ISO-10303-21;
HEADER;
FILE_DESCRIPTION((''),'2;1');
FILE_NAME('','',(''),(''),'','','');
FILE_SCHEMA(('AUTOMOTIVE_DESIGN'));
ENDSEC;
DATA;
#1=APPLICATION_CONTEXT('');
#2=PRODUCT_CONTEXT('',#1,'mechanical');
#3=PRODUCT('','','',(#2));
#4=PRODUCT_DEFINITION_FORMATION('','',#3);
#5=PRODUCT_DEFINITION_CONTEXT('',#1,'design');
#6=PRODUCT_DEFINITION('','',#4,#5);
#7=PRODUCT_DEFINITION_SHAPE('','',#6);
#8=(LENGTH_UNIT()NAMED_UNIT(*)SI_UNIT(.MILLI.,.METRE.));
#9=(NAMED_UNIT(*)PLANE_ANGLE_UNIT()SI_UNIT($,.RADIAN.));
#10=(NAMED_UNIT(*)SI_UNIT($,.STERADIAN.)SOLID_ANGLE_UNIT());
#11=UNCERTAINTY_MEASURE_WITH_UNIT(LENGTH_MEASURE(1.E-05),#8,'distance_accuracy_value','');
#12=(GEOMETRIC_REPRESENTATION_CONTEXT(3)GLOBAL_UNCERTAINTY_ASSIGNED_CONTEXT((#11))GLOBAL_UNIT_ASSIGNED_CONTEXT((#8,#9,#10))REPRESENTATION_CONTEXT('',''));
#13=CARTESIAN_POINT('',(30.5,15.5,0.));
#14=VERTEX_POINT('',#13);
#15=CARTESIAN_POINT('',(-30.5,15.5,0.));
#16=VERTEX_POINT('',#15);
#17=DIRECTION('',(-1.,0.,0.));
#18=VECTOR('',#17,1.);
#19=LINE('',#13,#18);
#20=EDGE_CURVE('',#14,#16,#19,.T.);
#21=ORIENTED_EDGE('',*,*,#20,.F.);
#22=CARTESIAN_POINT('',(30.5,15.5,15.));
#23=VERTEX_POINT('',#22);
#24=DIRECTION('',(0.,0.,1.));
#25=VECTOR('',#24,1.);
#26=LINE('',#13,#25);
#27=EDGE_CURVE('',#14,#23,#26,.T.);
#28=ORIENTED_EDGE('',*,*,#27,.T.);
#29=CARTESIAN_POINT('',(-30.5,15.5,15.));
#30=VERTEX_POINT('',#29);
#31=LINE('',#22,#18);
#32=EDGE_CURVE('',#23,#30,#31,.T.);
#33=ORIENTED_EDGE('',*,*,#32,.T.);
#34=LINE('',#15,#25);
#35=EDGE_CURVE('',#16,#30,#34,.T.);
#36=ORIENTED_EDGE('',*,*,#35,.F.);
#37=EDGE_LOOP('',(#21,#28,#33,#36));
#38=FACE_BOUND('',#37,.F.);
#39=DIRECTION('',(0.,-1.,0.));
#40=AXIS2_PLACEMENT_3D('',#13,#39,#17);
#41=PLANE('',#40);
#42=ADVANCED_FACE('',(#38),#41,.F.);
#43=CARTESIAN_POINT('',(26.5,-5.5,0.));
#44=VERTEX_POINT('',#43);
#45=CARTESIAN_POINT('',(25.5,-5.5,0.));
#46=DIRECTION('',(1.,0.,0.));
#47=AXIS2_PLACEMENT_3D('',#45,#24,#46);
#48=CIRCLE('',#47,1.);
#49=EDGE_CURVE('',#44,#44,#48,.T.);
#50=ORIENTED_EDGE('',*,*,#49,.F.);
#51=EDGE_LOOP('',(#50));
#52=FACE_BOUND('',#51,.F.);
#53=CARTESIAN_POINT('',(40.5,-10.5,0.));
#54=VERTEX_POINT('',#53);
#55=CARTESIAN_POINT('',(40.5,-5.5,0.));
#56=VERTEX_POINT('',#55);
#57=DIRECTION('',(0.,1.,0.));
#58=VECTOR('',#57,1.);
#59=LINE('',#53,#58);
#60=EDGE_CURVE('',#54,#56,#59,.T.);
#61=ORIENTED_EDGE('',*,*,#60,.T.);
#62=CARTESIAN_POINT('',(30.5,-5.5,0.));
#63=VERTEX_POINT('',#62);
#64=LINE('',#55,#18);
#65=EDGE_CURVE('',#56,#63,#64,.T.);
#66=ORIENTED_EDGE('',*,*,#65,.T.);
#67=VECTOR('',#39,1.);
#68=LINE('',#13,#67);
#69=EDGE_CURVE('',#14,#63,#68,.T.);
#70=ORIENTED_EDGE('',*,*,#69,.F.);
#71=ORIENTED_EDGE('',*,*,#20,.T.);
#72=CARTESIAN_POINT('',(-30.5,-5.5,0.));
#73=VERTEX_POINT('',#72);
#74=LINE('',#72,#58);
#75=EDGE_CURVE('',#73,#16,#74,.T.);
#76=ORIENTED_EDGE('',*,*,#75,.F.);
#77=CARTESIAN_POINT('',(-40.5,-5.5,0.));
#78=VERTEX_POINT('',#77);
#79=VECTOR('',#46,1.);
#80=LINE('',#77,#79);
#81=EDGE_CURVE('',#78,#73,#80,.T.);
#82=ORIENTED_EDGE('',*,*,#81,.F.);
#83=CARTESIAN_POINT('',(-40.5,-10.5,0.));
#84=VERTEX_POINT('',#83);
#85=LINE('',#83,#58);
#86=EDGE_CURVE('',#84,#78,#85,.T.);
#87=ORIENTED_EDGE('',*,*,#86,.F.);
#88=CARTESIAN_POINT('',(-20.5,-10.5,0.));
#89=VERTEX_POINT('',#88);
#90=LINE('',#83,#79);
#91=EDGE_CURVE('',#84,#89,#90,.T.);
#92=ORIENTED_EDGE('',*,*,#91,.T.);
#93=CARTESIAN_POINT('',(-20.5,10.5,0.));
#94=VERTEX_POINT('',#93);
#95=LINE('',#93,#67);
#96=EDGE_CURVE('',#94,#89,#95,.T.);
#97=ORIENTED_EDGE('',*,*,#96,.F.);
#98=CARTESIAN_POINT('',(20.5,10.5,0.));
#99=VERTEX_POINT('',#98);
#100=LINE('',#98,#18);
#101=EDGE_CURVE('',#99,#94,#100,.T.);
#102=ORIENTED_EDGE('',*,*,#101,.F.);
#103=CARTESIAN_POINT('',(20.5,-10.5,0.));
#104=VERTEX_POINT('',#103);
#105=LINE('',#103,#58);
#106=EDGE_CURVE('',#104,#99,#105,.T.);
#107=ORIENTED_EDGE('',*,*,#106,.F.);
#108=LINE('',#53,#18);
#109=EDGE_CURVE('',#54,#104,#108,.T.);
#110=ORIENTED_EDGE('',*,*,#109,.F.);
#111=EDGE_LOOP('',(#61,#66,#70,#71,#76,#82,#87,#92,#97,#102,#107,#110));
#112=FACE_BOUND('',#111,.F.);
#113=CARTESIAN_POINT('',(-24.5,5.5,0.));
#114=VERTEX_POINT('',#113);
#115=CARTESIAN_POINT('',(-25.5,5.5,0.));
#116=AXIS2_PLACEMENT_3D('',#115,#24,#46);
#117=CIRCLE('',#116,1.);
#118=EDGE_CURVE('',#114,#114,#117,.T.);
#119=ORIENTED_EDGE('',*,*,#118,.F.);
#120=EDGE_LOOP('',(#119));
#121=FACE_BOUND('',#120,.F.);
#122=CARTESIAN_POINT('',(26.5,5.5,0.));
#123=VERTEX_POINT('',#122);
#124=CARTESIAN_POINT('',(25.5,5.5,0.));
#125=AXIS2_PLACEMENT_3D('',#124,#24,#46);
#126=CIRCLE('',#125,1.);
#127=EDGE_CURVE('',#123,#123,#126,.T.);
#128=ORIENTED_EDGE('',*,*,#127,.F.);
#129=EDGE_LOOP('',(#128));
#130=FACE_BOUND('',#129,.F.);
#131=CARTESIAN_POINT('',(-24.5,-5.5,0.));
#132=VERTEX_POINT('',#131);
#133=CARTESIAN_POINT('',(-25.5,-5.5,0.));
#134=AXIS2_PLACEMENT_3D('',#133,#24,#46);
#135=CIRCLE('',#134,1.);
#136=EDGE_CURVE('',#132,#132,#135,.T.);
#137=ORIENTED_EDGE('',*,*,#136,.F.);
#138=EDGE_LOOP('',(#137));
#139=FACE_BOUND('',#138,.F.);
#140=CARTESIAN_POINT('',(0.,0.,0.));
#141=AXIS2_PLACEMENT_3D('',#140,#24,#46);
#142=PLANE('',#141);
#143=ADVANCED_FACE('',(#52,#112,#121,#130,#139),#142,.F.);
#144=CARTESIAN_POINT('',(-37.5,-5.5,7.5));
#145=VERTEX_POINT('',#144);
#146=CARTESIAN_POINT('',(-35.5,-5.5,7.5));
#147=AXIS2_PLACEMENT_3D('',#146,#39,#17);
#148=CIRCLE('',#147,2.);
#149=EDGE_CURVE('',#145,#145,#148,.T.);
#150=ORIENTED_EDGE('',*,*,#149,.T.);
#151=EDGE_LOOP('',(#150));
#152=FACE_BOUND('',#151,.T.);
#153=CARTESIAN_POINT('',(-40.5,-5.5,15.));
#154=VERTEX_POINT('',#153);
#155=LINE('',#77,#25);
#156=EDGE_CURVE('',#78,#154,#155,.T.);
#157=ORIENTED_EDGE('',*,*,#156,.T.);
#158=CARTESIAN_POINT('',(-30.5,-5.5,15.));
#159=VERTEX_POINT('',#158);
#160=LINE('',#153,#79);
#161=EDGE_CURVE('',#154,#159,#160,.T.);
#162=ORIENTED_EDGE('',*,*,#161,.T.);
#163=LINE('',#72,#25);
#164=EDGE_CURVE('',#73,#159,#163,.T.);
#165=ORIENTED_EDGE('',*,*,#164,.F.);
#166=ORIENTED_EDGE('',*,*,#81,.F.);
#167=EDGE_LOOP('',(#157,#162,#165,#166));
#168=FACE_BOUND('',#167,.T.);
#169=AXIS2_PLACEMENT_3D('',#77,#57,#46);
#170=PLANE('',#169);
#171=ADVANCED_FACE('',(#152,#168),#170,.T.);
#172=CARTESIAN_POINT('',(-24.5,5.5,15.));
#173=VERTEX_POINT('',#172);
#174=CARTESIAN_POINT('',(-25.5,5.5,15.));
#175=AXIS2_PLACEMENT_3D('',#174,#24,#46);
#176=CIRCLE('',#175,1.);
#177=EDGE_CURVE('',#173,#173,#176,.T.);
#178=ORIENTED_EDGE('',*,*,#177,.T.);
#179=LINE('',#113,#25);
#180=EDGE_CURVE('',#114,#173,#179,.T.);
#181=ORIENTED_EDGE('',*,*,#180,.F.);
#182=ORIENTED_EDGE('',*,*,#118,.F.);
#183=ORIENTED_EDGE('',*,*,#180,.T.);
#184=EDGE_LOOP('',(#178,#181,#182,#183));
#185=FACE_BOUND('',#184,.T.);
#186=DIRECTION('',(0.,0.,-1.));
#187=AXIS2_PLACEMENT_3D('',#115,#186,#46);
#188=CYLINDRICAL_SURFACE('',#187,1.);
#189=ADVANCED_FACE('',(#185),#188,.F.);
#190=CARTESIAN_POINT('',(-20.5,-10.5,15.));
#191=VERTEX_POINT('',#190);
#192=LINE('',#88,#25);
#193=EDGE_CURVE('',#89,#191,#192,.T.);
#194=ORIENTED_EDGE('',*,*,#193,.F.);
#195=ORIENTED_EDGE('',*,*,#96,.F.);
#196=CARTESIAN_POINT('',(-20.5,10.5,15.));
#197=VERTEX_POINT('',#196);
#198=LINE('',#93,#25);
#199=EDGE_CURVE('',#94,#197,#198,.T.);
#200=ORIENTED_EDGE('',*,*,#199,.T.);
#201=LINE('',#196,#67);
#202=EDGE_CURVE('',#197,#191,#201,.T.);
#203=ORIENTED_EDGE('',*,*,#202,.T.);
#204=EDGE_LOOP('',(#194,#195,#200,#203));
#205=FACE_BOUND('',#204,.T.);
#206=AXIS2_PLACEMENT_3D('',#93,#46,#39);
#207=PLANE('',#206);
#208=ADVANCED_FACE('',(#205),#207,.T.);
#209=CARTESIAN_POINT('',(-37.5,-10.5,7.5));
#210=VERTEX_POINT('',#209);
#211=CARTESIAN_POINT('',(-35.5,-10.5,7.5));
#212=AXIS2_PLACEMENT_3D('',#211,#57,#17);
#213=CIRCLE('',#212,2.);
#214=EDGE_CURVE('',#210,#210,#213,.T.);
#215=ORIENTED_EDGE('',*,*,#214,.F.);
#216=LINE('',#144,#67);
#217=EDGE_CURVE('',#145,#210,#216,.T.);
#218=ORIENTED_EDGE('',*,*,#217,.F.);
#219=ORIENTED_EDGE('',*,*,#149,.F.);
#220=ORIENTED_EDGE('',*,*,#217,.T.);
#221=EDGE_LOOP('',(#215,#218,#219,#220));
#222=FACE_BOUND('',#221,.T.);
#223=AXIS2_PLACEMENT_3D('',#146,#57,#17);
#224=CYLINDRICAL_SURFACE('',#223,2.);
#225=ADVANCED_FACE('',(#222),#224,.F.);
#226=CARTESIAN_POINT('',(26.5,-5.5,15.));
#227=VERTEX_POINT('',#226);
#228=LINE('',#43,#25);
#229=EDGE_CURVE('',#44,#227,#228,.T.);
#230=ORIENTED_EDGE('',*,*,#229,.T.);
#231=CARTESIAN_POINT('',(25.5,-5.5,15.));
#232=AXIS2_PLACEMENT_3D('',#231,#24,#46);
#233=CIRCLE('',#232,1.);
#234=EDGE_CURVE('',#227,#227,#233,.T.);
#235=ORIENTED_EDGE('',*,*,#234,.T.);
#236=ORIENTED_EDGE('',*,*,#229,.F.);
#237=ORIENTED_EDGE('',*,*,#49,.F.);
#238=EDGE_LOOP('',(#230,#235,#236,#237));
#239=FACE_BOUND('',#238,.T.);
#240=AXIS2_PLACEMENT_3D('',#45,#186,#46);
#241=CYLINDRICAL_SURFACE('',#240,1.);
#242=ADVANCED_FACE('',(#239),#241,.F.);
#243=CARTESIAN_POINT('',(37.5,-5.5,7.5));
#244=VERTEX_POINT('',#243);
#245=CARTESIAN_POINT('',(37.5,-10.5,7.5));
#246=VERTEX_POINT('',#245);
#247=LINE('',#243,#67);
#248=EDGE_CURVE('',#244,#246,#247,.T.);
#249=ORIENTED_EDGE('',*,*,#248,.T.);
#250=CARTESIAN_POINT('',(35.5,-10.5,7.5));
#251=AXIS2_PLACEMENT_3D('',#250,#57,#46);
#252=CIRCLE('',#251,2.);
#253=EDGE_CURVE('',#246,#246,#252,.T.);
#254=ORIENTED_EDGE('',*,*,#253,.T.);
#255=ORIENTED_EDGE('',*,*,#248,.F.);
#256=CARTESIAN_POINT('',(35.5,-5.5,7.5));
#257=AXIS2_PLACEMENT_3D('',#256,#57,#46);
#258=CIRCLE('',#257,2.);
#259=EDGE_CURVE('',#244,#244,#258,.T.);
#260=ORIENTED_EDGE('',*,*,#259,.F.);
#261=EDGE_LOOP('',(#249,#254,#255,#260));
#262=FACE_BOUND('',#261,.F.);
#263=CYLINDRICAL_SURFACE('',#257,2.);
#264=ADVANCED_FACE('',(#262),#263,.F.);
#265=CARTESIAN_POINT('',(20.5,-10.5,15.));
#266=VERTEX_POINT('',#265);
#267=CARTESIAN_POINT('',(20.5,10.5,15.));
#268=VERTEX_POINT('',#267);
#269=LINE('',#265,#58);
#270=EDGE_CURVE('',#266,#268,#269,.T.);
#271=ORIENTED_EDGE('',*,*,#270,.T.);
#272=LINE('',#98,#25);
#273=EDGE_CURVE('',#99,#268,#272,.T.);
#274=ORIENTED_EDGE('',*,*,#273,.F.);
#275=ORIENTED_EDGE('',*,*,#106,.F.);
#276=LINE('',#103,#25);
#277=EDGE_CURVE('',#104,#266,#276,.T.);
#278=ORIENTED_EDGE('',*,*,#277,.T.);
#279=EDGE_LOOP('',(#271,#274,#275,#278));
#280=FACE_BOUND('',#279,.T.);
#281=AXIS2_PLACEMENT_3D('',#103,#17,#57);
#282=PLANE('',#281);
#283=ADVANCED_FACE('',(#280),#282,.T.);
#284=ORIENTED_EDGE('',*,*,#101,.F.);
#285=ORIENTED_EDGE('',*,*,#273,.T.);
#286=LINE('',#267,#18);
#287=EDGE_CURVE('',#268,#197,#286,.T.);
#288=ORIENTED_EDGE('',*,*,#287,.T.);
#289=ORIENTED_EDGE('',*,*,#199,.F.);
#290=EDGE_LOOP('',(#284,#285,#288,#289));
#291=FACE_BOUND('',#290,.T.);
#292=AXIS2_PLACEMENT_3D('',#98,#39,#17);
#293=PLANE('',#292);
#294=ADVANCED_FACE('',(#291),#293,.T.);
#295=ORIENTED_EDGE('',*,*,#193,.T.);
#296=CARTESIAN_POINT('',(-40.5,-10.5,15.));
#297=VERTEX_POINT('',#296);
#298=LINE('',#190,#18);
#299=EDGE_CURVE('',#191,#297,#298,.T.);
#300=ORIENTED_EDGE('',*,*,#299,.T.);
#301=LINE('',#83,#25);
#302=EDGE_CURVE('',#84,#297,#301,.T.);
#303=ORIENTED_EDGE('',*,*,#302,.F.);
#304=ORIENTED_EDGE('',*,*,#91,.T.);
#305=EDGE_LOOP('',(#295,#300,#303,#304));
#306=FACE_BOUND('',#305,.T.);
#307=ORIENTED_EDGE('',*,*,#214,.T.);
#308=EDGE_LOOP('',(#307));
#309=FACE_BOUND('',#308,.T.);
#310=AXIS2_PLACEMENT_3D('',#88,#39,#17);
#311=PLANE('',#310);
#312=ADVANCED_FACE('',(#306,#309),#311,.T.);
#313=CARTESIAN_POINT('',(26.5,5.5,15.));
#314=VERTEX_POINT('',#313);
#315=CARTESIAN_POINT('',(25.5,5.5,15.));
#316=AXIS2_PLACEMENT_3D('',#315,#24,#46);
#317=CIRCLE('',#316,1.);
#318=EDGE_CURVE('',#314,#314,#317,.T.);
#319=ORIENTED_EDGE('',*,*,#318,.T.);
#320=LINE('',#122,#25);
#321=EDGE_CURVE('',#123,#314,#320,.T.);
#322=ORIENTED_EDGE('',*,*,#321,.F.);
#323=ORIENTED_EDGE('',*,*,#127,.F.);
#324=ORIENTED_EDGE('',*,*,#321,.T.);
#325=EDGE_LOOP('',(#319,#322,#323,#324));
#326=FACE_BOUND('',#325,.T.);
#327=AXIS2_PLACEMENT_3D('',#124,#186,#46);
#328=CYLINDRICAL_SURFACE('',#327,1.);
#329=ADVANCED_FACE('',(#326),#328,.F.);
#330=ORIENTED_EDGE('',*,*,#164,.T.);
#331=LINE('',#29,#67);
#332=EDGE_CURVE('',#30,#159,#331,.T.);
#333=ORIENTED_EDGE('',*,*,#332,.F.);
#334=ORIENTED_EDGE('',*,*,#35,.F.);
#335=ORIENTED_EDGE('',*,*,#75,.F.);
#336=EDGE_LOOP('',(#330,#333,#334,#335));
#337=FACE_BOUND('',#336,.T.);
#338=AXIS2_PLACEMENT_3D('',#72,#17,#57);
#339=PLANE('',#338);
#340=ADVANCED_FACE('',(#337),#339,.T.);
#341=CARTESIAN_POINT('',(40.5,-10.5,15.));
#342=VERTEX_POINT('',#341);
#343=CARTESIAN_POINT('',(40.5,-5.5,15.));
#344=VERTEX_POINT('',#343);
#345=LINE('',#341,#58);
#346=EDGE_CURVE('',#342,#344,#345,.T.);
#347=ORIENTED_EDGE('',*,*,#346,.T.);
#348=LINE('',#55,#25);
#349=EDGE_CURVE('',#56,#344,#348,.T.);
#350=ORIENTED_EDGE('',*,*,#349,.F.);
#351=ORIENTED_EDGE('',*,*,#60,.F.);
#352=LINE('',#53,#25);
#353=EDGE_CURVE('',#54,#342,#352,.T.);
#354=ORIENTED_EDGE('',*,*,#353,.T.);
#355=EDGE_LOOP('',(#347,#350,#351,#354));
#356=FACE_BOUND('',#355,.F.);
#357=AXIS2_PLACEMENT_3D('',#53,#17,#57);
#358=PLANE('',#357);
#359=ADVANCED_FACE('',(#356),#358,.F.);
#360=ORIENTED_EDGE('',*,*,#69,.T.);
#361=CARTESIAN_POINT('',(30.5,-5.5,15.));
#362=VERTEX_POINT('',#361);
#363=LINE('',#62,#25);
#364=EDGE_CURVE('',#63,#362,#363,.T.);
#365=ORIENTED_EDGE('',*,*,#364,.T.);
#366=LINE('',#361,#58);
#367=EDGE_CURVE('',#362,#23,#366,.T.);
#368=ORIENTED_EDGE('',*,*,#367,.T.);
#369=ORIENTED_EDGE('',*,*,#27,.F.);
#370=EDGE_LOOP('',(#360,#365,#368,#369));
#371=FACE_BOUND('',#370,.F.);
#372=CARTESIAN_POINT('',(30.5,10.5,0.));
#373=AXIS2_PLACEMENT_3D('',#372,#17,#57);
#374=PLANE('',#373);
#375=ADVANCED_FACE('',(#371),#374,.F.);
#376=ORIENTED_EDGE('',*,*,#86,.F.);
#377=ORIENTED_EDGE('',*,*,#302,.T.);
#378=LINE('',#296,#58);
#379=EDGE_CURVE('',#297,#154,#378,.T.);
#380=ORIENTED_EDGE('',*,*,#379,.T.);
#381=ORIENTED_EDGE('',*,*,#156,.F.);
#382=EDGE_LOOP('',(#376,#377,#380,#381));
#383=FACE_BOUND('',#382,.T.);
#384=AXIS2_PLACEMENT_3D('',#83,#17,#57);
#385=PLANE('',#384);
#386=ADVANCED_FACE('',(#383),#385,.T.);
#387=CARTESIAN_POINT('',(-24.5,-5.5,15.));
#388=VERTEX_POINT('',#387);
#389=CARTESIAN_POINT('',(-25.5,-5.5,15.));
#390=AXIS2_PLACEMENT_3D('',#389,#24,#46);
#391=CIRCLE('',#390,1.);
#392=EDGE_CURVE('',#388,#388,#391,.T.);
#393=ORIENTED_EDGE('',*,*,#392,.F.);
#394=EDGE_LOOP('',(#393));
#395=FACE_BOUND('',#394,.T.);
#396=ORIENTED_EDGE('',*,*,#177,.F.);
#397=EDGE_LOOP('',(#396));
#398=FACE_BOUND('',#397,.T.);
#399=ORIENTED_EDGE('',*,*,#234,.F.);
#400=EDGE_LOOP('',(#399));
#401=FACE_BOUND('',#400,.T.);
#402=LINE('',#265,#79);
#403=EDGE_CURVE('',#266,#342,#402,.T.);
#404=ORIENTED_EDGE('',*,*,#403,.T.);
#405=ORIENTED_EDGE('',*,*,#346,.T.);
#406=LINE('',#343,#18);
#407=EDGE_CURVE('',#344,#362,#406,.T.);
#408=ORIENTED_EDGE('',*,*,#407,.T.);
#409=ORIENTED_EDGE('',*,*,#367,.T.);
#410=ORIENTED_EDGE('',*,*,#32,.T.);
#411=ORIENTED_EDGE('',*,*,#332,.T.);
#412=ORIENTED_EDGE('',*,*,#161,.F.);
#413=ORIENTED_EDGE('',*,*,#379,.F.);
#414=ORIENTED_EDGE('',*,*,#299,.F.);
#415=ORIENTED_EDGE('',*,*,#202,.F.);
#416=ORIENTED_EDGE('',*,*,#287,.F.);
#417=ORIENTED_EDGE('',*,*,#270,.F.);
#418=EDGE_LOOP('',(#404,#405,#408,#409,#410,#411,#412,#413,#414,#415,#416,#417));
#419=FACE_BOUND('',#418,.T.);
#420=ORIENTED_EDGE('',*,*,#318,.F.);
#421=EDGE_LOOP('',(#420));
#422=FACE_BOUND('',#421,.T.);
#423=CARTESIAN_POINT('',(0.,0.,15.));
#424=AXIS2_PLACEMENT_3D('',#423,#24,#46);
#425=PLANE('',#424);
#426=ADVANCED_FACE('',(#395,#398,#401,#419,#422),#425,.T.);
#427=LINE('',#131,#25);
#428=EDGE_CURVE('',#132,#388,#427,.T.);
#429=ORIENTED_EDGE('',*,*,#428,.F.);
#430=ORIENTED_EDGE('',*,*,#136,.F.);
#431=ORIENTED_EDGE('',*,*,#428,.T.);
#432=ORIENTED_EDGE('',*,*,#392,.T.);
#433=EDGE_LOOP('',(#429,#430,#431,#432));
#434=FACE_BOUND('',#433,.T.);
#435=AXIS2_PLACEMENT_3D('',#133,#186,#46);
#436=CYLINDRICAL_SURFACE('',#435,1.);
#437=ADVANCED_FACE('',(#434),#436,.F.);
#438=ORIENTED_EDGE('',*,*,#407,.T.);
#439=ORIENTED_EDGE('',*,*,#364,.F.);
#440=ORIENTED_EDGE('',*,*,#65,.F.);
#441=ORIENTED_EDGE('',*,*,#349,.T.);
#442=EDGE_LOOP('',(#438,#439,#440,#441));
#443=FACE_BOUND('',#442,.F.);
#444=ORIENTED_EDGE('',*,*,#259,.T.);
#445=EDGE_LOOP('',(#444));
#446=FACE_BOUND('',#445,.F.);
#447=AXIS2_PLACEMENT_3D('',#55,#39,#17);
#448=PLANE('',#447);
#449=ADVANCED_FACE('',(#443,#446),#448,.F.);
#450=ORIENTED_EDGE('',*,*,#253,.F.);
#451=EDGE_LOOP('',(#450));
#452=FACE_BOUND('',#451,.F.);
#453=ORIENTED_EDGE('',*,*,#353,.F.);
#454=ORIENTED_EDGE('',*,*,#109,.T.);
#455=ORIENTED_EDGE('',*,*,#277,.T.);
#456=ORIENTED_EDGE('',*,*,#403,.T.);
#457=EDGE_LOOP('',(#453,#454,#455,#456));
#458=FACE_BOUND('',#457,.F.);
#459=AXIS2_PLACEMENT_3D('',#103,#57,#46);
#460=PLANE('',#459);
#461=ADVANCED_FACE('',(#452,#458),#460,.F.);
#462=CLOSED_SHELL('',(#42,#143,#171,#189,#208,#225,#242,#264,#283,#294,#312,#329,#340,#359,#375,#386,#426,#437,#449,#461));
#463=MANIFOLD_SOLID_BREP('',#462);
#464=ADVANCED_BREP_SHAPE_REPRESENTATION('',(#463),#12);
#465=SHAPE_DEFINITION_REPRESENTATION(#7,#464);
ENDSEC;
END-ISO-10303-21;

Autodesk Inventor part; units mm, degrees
ref_plane "YZ Plane" through (0, 0, 0) normal (1, 0, 0) x (0, 1, 0)
ref_plane "XZ Plane" through (0, 0, 0) normal (0, 1, 0) x (-1, 0, 0)
ref_plane "XY Plane" through (0, 0, 0) normal (0, 0, 1) x (1, 0, 0)
sketch "Sketch1" plane through (0, 0, 0) normal (0, 0, 1) x (1, 0, 0)
  line L0 (-20.5, -10.5) -> (20.5, -10.5)
  line L1 (20.5, -10.5) -> (20.5, 10.5)
  line L2 (20.5, 10.5) -> (-20.5, 10.5)
  line L3 (-20.5, 10.5) -> (-20.5, -10.5)
  line L4 (-20.5, -10.5) -> (20.5, 10.5) construction
  line L5 (20.5, -10.5) -> (-20.5, 10.5) construction
  circle A0 centre (25.5, 5.5) radius 1
  circle A1 centre (25.5, -5.5) radius 1
  line L6 (0, 21.6766) -> (0, -21.497) construction
  circle A2 centre (-25.5, 5.5) radius 1
  circle A3 centre (-25.5, -5.5) radius 1
  line L7 (-20.5, -10.5) -> (-30.5, -10.5)
  line L8 (-30.5, -10.5) -> (-30.5, 10.5)
  line L9 (-30.5, 10.5) -> (-20.5, 10.5)
  line L10 (-20.5, 10.5) -> (-20.5, -10.5)
  line L11 (20.5, -10.5) -> (30.5, -10.5)
  line L12 (30.5, -10.5) -> (30.5, 10.5)
  line L13 (30.5, 10.5) -> (20.5, 10.5)
  line L14 (20.5, 10.5) -> (20.5, -10.5)
  line L15 (-30.5, 10.5) -> (30.5, 10.5)
  line L16 (30.5, 10.5) -> (30.5, 15.5)
  line L17 (30.5, 15.5) -> (-30.5, 15.5)
  line L18 (-30.5, 15.5) -> (-30.5, 10.5)
  line L19 (-30.5, -10.5) -> (-40.5, -10.5)
  line L20 (-40.5, -10.5) -> (-40.5, -5.5)
  line L21 (-40.5, -5.5) -> (-30.5, -5.5)
  line L22 (-30.5, -5.5) -> (-30.5, -10.5)
  line L23 (30.5, -10.5) -> (40.5, -10.5)
  line L24 (40.5, -10.5) -> (40.5, -5.5)
  line L25 (40.5, -5.5) -> (30.5, -5.5)
  line L26 (30.5, -5.5) -> (30.5, -10.5)
  point P0 (0, 0)
  dimension "d0" = 41
  dimension "d1" = 21
  dimension "d2" = 2
  dimension "d3" = 2
  dimension "d4" = 10
  dimension "d5" = 10
  dimension "d6" = 5
  dimension "d7" = 10
  dimension "d8" = 5
  dimension "d9" = 10
extrude "Extrusion1" add sketch "Sketch1" along normal blind 15 contours L7 L8 L9 L3 | L1 L13 L12 L11 | L9 L18 L17 L16 L13 L2 | L19 L20 L21 L8 | L12 L25 L24 L23
sketch "Sketch2" plane through (30.5, -5.5, 0) normal (0, 1, 0) x (1, 0, 0)
  circle A0 centre (5, -7.5) radius 2
  point P0 (-30.5, 0)
  dimension "d12" = 4
extrude "Extrusion2" cut sketch "Sketch2" against normal through all
mirror "Mirror1" about plane through (0, 0, 0) normal (1, 0, 0) of "Extrusion2"
properties part number "PinewoodServoMount"
